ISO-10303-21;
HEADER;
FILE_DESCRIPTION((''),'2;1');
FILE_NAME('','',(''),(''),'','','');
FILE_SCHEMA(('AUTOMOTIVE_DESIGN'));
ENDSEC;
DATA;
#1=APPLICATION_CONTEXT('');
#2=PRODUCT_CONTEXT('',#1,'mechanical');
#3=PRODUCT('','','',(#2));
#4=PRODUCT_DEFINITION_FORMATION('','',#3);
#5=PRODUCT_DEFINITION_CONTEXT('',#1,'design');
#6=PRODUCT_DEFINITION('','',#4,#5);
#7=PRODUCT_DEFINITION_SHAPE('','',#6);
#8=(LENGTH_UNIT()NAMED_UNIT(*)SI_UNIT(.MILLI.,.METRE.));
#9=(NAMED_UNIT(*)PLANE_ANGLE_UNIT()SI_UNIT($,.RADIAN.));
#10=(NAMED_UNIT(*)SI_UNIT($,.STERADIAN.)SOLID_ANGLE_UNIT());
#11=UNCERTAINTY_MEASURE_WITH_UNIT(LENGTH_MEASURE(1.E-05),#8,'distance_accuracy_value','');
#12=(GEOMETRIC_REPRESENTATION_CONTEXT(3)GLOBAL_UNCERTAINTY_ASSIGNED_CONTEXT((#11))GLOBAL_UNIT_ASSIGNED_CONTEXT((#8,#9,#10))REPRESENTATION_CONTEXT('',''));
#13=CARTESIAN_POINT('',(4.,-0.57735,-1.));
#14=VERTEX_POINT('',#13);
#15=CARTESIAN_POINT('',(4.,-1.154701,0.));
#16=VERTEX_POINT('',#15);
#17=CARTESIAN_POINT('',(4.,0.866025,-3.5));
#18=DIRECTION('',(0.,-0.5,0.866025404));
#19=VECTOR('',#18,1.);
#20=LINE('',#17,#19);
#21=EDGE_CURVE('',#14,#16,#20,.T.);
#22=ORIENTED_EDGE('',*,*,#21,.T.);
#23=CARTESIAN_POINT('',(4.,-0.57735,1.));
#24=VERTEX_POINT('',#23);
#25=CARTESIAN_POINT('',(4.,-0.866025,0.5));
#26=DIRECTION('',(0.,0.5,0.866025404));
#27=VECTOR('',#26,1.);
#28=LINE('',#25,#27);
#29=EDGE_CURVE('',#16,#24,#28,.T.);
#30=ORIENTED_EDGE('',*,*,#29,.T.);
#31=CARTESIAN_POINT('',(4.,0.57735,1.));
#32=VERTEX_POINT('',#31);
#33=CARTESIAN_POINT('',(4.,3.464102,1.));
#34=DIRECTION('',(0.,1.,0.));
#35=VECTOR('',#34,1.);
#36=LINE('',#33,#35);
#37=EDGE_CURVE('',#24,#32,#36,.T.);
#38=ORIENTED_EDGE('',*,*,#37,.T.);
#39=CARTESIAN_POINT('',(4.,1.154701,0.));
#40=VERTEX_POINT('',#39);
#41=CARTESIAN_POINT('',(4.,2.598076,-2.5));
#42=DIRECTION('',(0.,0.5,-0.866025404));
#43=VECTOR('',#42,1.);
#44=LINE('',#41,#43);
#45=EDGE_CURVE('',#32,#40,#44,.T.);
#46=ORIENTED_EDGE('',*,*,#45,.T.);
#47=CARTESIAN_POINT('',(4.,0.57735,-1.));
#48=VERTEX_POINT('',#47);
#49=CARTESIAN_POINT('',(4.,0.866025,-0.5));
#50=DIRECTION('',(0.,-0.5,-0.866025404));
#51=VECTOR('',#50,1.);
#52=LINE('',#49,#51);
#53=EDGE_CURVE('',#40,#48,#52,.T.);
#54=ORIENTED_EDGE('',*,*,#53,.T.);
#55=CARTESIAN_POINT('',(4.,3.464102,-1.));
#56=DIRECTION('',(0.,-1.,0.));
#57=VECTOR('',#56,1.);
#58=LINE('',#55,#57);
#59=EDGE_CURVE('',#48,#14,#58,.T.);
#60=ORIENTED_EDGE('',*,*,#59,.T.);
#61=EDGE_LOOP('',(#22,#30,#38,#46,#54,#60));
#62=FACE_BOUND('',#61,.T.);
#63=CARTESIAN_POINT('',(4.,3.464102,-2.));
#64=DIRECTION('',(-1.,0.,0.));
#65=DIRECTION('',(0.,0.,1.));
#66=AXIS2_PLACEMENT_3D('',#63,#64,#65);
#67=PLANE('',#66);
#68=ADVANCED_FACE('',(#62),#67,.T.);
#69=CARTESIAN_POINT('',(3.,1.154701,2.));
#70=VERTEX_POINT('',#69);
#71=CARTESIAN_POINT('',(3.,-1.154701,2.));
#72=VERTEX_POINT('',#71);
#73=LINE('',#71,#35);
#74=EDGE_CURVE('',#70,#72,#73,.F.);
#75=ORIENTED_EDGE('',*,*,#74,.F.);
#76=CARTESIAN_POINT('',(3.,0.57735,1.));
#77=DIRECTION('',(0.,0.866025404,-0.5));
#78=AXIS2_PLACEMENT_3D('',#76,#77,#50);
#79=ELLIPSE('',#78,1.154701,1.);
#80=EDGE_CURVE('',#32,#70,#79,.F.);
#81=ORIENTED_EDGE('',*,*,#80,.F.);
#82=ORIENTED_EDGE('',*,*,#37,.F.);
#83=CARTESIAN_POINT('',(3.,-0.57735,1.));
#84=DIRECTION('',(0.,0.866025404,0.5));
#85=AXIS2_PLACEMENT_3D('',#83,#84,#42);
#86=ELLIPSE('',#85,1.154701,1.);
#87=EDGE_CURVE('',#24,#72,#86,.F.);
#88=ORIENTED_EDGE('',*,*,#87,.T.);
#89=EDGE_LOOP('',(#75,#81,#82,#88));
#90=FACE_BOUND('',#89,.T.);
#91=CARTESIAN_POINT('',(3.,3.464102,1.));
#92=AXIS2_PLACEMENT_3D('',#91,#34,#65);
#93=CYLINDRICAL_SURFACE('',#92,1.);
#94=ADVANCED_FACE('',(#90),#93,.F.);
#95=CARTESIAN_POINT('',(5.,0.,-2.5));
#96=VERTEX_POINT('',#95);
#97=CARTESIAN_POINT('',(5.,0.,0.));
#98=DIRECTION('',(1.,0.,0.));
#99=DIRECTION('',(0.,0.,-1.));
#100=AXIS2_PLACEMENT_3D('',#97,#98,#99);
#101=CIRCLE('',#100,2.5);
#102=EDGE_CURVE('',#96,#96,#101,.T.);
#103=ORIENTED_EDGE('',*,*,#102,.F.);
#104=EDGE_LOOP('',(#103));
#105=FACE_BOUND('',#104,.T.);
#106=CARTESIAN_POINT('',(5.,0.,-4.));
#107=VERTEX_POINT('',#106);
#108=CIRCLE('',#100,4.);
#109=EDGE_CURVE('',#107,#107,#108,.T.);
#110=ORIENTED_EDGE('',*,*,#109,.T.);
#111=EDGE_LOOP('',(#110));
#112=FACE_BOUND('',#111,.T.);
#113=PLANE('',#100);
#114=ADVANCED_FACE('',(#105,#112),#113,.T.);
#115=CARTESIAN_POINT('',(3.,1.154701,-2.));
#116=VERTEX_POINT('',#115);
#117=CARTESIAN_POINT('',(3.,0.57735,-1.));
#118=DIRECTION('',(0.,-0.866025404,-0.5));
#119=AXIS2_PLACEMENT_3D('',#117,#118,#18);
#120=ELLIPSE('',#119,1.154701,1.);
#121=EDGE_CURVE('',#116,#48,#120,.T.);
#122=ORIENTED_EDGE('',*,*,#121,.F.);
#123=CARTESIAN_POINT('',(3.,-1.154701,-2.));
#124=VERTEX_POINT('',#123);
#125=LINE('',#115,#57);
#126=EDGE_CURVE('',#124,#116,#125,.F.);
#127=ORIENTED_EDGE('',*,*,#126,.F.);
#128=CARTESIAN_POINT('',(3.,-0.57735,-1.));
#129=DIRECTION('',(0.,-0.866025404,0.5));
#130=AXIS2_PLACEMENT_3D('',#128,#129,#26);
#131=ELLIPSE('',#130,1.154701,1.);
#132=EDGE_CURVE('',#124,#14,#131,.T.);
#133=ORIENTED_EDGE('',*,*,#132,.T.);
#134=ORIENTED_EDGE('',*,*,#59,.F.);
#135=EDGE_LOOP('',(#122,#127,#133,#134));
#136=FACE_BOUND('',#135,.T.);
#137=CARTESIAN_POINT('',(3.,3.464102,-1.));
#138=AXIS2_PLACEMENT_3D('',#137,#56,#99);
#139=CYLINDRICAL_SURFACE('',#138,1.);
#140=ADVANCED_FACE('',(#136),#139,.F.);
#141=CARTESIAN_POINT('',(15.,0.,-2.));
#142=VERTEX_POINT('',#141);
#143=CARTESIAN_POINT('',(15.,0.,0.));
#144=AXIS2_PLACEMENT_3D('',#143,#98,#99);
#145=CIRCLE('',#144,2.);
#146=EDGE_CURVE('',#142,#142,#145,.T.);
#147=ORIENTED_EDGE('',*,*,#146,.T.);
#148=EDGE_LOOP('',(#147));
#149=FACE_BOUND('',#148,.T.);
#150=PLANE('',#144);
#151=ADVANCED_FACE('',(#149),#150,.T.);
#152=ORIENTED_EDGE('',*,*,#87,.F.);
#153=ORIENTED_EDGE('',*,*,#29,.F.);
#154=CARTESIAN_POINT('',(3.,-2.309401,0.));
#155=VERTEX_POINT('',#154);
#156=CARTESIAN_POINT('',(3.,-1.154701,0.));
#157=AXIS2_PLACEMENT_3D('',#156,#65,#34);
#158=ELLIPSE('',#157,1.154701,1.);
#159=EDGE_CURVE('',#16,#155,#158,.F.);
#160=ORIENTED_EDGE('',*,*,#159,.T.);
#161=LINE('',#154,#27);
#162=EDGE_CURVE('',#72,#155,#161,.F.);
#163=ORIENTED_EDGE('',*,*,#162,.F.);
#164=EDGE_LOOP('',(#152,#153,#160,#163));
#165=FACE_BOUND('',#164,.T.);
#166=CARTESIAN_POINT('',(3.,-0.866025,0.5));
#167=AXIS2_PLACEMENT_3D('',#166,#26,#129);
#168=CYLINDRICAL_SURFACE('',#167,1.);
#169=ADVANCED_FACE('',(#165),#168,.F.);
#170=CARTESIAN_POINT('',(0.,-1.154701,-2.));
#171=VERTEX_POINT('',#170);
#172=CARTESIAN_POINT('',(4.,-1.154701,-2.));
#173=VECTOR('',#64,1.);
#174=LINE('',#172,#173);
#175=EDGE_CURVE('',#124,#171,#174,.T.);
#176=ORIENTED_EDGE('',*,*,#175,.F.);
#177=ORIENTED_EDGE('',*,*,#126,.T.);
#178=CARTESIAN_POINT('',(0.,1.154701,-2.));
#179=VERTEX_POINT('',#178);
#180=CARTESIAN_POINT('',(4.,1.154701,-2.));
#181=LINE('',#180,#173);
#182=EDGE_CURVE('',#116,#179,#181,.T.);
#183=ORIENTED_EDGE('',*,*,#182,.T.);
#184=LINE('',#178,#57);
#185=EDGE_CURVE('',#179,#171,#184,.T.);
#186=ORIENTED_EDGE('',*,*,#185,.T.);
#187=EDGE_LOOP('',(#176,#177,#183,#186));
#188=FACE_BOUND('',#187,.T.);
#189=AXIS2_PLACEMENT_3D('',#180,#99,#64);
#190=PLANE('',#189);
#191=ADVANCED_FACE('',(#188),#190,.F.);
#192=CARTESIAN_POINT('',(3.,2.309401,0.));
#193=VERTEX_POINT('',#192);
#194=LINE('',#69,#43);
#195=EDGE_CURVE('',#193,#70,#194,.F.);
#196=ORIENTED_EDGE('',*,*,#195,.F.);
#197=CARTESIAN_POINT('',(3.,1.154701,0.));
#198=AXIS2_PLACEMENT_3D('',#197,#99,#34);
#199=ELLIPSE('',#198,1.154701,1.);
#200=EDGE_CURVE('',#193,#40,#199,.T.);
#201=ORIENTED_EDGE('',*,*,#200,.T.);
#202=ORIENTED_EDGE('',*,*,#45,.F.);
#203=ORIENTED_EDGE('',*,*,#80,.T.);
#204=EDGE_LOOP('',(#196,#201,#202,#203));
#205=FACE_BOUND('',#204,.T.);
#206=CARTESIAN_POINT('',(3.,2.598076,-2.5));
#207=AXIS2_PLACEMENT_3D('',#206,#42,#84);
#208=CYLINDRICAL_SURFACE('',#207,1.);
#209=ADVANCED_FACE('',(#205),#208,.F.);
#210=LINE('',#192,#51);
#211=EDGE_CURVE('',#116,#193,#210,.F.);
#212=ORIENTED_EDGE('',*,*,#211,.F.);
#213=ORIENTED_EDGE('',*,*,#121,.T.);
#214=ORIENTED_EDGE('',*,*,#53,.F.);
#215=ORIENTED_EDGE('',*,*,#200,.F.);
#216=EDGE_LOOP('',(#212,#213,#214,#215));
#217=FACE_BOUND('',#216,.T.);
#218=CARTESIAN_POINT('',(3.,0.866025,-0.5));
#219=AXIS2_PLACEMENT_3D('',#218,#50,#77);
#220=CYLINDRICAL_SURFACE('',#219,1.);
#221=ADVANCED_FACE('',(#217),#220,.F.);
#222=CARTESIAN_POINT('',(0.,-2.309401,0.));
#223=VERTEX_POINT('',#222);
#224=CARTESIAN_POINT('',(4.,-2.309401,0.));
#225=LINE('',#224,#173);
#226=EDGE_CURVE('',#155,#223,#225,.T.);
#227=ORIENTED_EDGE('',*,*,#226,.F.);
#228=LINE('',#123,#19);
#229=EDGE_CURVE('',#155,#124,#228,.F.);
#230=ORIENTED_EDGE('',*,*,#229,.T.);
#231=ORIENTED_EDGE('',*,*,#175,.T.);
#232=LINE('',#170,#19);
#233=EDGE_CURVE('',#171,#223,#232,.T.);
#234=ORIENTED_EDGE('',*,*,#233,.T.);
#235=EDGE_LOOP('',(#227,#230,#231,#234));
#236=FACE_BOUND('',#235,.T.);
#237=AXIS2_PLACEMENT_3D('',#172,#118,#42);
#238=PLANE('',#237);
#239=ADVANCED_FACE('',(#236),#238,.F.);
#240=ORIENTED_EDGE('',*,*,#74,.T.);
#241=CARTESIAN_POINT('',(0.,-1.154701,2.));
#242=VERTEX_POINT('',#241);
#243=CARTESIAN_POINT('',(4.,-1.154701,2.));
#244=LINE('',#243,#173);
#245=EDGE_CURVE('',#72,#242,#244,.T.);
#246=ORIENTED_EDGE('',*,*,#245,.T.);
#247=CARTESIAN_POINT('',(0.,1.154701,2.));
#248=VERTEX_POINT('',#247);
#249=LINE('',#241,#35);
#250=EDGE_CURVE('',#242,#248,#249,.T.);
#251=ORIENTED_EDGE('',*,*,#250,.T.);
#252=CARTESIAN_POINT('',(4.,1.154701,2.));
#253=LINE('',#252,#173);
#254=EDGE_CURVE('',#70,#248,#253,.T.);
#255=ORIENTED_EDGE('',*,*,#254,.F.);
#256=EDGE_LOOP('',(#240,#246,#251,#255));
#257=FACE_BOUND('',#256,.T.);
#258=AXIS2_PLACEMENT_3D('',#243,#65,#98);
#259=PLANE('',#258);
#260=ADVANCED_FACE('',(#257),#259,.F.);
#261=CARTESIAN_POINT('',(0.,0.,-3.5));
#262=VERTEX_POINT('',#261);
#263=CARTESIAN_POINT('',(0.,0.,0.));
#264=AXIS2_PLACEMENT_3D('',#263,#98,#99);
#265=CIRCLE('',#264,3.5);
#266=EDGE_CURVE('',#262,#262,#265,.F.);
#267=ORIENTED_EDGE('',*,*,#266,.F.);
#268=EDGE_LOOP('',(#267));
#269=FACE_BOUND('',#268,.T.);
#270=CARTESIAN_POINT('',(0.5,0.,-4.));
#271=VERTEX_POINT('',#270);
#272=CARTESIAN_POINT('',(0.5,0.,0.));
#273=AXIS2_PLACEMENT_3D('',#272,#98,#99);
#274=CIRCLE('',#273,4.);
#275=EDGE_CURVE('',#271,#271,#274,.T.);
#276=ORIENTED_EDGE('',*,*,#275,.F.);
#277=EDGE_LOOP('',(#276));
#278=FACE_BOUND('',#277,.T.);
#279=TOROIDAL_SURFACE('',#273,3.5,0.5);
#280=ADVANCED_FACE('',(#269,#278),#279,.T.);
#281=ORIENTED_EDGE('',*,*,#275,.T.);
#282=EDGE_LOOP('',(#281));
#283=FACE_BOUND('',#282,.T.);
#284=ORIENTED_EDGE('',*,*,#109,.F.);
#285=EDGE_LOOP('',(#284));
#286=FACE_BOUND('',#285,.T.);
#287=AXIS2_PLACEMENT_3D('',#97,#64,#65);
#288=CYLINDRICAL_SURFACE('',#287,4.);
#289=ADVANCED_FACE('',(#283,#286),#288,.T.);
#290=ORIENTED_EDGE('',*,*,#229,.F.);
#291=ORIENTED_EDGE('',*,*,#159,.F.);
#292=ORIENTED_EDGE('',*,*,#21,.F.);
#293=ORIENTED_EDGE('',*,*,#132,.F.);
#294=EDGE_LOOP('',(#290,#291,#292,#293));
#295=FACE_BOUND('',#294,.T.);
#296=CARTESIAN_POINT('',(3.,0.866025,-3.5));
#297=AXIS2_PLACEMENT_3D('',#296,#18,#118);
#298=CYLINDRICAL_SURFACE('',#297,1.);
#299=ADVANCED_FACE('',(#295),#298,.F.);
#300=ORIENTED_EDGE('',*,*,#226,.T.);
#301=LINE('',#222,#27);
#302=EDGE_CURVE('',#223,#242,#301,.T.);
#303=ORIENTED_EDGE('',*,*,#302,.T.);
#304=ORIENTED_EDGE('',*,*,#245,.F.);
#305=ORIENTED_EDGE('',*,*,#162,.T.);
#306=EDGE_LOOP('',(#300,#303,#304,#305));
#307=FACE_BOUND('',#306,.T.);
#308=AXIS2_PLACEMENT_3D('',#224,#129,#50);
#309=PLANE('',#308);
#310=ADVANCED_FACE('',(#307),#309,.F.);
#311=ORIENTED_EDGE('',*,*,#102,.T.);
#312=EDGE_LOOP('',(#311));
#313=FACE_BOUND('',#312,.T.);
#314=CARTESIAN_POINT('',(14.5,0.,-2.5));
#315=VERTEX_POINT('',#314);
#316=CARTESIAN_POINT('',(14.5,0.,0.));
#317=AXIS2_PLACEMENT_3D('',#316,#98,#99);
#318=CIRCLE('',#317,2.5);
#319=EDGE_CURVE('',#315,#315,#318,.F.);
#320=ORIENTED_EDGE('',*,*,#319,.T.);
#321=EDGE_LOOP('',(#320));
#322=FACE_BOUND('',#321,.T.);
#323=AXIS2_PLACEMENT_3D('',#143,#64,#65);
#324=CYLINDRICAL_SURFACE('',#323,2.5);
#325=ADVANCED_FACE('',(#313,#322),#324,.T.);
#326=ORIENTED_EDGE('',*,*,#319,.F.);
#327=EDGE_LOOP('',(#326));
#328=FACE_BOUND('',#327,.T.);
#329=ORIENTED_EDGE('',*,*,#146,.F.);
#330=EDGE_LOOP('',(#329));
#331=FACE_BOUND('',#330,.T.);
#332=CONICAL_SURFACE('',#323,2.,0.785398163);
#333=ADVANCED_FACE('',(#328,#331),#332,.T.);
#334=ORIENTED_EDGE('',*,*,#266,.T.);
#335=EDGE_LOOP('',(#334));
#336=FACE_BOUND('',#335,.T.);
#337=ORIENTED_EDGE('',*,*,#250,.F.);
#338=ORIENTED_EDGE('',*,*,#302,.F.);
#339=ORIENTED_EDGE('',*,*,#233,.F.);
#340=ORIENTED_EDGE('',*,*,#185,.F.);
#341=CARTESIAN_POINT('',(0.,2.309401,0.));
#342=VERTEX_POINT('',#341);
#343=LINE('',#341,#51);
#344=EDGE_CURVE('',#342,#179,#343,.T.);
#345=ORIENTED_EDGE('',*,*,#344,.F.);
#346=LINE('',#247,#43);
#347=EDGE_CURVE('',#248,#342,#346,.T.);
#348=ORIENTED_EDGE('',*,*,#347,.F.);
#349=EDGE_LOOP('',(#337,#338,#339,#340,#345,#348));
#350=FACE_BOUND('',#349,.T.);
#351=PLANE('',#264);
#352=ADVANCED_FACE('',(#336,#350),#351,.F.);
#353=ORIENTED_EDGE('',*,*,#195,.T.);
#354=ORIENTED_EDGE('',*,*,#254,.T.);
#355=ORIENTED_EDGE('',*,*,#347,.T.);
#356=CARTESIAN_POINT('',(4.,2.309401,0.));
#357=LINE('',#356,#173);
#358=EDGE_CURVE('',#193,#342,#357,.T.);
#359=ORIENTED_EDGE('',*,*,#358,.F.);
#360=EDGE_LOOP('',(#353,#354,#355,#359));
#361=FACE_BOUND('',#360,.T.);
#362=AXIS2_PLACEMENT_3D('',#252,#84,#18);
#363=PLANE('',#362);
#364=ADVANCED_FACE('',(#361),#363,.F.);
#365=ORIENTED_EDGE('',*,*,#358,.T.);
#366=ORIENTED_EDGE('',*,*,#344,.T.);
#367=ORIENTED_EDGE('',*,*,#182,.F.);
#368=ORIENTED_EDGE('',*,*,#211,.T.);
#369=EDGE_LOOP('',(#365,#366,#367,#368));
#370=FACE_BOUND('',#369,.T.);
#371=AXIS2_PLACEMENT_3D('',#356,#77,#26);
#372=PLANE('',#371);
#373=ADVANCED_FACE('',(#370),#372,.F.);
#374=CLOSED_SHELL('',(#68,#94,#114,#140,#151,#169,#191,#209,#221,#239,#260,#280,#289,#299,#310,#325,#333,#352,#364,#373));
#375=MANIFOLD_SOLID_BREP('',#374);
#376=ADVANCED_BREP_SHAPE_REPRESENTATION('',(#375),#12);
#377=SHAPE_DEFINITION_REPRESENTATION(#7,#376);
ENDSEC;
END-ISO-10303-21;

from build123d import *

# Parameters (mm, degrees)
SKETCH_1_R          = 4
EXTRUDE_1_DEPTH     = 5
SKETCH_2_R          = 2.5
EXTRUDE_2_DEPTH     = 10
CHAMFER_1_SIZE      = 0.5
CUT_EXTRUDE_1_DEPTH = 4
FILLET_1_R          = 1
FILLET_2_R          = 0.5


with BuildPart() as part:
    # Эскиз1 → Вытянуть1 (new body)
    with BuildSketch(Plane(origin=(0, 0, 0), x_dir=(0, 0, -1), z_dir=(1, 0, 0))):
        Circle(SKETCH_1_R)
    extrude(amount=EXTRUDE_1_DEPTH)

    # Эскиз2 → Вытянуть2 (add)
    with BuildSketch(Plane(origin=(5, 0, 0), x_dir=(0, 0, -1), z_dir=(1, 0, 0))):
        Circle(SKETCH_2_R)
    extrude(amount=EXTRUDE_2_DEPTH)

    # Фаска1
    chamfer_1_edges = [part.edges().sort_by_distance(p)[0] for p in [
        (15, 0, 2.5),
    ]]
    chamfer(chamfer_1_edges, length=CHAMFER_1_SIZE)

    # Эскиз3 → Вырез-Вытянуть1 (cut)
    with BuildSketch(Plane.ZY):
        Polygon((0, 2.309401077), (-2, 1.154700538), (-2, -1.154700538), (0, -2.309401077), (2, -1.154700538), (2, 1.154700538), align=None)
    extrude(amount=-CUT_EXTRUDE_1_DEPTH, mode=Mode.SUBTRACT)

    # Скругление1
    fillet_1_edges = [part.edges().sort_by_distance(p)[0] for p in [
        (4, 1.732050808, 1),
        (4, 0, 2),
        (4, -1.732050808, 1),
        (4, -1.732050808, -1),
        (4, 0, -2),
        (4, 1.732050808, -1),
    ]]
    fillet(fillet_1_edges, radius=FILLET_1_R)

    # Скругление2
    fillet_2_edges = [part.edges().sort_by_distance(p)[0] for p in [
        (0, 0, 4),
    ]]
    fillet(fillet_2_edges, radius=FILLET_2_R)


solid = part.part
